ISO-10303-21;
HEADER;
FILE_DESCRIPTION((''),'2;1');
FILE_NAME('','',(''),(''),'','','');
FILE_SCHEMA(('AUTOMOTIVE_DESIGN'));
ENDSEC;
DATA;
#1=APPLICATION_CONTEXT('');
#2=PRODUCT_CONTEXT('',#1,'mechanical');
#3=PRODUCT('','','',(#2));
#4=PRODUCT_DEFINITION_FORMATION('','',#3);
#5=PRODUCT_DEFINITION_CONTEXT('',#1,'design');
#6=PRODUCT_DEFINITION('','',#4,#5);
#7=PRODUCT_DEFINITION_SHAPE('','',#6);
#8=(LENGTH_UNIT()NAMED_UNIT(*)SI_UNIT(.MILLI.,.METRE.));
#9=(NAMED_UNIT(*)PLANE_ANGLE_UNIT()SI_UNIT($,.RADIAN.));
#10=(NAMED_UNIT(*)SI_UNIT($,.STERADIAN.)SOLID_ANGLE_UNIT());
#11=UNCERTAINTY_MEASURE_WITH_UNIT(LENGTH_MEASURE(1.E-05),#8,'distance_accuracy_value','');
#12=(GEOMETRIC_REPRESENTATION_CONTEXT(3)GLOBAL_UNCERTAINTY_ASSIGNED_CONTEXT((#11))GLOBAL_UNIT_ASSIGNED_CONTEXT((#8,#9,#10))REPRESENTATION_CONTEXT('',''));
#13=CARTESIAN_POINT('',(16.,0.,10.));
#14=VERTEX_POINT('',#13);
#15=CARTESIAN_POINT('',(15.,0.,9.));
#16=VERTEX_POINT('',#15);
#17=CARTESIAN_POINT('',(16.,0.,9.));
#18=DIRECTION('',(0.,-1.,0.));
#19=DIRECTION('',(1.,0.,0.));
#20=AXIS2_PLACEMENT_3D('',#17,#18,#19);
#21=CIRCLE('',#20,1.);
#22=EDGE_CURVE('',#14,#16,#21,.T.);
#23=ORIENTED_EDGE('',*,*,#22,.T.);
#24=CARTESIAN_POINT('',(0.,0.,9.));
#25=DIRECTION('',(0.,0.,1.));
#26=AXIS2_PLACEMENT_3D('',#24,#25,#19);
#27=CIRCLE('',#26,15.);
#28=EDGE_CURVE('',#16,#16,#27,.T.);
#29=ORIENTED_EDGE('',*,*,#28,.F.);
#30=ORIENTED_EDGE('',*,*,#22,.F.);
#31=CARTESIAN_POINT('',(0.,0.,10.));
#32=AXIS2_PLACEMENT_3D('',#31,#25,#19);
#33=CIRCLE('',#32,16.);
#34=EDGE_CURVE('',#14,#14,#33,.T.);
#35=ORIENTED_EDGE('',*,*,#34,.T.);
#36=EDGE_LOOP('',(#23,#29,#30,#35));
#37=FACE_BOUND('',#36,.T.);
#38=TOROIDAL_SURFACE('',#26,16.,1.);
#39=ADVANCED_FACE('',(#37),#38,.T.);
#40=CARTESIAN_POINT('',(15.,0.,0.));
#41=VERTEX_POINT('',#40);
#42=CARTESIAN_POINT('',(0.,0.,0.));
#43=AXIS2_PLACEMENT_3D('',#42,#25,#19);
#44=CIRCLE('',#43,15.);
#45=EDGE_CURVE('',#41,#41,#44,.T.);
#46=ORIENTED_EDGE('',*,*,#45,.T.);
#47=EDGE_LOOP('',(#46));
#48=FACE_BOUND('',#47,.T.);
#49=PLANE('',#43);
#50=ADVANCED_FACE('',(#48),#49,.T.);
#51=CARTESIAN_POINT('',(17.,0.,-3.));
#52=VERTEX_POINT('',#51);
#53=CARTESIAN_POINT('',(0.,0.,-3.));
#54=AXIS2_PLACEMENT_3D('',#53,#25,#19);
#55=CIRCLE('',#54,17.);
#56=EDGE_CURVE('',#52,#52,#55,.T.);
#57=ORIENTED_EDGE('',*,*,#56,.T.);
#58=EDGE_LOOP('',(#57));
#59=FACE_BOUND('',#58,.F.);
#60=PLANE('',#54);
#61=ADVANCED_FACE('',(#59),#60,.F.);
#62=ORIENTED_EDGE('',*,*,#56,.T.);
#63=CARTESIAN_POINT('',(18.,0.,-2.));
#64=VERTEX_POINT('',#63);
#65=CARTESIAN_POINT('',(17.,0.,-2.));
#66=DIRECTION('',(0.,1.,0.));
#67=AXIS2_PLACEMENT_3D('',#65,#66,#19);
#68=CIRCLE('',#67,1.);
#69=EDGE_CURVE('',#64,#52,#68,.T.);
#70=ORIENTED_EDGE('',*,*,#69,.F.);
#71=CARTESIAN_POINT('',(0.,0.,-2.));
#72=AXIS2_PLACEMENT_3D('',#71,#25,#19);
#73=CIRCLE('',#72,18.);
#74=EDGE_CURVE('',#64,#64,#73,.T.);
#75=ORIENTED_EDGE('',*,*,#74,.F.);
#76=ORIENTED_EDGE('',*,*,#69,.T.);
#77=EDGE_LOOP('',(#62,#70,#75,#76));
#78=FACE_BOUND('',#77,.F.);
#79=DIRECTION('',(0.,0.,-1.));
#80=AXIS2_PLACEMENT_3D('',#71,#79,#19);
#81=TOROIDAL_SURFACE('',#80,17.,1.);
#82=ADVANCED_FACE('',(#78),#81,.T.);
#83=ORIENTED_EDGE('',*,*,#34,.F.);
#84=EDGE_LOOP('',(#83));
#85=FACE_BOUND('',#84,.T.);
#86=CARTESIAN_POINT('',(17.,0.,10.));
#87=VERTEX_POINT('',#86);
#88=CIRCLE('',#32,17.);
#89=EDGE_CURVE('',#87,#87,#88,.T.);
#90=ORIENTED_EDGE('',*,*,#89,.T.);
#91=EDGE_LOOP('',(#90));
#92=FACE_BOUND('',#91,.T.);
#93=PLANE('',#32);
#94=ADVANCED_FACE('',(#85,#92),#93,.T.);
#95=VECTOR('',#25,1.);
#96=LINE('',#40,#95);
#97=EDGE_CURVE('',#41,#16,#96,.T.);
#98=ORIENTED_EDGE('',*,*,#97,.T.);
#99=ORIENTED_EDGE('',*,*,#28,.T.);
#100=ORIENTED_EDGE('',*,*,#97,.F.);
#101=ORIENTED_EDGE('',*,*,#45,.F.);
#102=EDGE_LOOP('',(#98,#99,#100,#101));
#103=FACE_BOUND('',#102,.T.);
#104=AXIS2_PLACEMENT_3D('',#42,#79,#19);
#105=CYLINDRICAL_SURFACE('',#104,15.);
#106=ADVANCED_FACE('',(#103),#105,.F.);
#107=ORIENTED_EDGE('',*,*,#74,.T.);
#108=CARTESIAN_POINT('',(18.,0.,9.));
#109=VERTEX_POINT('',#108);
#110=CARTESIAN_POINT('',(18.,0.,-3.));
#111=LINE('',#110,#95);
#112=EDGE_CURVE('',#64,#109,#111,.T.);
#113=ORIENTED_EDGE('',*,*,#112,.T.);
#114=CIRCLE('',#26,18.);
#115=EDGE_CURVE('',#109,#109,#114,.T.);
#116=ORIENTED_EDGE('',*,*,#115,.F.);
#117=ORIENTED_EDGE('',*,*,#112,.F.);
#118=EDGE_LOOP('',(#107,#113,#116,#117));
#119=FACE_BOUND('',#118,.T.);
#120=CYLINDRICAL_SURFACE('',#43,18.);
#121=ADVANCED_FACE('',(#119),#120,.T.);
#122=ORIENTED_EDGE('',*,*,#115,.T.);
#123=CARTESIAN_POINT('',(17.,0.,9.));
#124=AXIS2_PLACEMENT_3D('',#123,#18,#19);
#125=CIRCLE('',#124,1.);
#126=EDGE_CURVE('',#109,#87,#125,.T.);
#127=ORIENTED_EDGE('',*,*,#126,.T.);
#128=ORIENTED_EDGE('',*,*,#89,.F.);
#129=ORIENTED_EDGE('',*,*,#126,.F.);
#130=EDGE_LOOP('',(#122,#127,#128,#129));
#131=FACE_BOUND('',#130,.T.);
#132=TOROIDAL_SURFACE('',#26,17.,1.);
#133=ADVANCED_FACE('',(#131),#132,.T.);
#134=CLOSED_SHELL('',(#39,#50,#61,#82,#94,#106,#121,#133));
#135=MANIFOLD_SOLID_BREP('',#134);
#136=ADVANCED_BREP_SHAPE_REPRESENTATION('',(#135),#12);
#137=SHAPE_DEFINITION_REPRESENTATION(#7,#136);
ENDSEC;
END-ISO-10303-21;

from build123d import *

# Parameters (mm, degrees)
F0_R     = 18
F0_R_2   = 15
F1_DEPTH = 10
F2_R     = 18
F3_DEPTH = 3
F4_R     = 1


with BuildPart() as f1:
    # F0 (on Top) → F1 (new body)
    with BuildSketch(Plane.XY):
        Circle(F0_R)
        Circle(F0_R_2, mode=Mode.SUBTRACT)
    extrude(amount=F1_DEPTH)

    # F2 (on face) → F3 (join)
    with BuildSketch(Plane.XY):
        Circle(F2_R)
    extrude(amount=-F3_DEPTH)

    # F4
    f4_edges = [f1.edges().sort_by_distance(p)[0] for p in [
        (-18, 0, 10),
        (-15, 0, 10),
        (-18, 0, -3),
    ]]
    fillet(f4_edges, radius=F4_R)


solid = f1.part
